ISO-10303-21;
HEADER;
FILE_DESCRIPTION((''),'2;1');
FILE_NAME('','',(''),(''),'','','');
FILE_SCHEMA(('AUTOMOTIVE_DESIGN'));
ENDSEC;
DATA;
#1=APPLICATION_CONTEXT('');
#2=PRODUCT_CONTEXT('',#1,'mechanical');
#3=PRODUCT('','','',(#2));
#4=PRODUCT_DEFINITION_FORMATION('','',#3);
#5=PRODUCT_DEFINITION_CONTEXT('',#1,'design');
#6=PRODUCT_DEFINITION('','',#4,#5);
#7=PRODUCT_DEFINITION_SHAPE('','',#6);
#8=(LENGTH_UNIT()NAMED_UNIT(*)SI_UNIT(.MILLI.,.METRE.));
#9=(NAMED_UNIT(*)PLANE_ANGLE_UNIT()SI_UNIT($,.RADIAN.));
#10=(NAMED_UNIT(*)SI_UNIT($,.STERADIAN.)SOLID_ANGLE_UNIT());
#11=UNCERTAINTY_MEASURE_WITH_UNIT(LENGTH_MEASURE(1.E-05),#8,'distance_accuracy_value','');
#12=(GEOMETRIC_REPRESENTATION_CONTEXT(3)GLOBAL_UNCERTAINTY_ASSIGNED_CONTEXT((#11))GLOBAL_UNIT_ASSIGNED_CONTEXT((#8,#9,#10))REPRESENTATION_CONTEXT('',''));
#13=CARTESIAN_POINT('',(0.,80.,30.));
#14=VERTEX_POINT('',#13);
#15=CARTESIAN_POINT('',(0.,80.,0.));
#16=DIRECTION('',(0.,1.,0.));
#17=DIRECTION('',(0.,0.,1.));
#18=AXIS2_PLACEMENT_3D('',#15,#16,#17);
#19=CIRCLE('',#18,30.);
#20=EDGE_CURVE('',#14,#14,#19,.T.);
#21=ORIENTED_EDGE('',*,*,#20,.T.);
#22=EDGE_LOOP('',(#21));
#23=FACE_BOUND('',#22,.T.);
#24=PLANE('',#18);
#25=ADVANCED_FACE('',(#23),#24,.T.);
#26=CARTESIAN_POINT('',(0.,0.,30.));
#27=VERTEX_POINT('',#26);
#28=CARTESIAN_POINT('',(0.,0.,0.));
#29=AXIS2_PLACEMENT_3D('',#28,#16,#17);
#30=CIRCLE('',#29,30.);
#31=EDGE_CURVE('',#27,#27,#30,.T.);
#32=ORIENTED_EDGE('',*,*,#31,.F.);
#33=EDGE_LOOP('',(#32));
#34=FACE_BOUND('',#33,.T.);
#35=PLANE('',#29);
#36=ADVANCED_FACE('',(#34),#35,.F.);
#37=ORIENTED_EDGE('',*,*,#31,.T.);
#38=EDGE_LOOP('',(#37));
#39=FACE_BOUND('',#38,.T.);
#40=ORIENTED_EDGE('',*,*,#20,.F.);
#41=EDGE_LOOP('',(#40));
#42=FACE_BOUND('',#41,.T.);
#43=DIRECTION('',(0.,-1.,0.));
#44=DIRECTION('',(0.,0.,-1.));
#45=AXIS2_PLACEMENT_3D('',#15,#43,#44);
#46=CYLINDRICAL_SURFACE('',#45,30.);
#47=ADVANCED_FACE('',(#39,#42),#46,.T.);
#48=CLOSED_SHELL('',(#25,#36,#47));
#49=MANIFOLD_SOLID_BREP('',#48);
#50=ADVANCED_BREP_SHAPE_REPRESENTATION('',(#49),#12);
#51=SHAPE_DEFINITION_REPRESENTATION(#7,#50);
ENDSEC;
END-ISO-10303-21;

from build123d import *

# Parameters (mm, degrees)
SKETCH_1_R      = 30
EXTRUDE_1_DEPTH = 80


with BuildPart() as part:
    # 草图1 → 凸台-拉伸1 (new body)
    with BuildSketch(Plane(origin=(0, 0, 0), x_dir=(1, 0, 0), z_dir=(0, 1, 0))):
        Circle(SKETCH_1_R)
    extrude(amount=EXTRUDE_1_DEPTH)


solid = part.part
